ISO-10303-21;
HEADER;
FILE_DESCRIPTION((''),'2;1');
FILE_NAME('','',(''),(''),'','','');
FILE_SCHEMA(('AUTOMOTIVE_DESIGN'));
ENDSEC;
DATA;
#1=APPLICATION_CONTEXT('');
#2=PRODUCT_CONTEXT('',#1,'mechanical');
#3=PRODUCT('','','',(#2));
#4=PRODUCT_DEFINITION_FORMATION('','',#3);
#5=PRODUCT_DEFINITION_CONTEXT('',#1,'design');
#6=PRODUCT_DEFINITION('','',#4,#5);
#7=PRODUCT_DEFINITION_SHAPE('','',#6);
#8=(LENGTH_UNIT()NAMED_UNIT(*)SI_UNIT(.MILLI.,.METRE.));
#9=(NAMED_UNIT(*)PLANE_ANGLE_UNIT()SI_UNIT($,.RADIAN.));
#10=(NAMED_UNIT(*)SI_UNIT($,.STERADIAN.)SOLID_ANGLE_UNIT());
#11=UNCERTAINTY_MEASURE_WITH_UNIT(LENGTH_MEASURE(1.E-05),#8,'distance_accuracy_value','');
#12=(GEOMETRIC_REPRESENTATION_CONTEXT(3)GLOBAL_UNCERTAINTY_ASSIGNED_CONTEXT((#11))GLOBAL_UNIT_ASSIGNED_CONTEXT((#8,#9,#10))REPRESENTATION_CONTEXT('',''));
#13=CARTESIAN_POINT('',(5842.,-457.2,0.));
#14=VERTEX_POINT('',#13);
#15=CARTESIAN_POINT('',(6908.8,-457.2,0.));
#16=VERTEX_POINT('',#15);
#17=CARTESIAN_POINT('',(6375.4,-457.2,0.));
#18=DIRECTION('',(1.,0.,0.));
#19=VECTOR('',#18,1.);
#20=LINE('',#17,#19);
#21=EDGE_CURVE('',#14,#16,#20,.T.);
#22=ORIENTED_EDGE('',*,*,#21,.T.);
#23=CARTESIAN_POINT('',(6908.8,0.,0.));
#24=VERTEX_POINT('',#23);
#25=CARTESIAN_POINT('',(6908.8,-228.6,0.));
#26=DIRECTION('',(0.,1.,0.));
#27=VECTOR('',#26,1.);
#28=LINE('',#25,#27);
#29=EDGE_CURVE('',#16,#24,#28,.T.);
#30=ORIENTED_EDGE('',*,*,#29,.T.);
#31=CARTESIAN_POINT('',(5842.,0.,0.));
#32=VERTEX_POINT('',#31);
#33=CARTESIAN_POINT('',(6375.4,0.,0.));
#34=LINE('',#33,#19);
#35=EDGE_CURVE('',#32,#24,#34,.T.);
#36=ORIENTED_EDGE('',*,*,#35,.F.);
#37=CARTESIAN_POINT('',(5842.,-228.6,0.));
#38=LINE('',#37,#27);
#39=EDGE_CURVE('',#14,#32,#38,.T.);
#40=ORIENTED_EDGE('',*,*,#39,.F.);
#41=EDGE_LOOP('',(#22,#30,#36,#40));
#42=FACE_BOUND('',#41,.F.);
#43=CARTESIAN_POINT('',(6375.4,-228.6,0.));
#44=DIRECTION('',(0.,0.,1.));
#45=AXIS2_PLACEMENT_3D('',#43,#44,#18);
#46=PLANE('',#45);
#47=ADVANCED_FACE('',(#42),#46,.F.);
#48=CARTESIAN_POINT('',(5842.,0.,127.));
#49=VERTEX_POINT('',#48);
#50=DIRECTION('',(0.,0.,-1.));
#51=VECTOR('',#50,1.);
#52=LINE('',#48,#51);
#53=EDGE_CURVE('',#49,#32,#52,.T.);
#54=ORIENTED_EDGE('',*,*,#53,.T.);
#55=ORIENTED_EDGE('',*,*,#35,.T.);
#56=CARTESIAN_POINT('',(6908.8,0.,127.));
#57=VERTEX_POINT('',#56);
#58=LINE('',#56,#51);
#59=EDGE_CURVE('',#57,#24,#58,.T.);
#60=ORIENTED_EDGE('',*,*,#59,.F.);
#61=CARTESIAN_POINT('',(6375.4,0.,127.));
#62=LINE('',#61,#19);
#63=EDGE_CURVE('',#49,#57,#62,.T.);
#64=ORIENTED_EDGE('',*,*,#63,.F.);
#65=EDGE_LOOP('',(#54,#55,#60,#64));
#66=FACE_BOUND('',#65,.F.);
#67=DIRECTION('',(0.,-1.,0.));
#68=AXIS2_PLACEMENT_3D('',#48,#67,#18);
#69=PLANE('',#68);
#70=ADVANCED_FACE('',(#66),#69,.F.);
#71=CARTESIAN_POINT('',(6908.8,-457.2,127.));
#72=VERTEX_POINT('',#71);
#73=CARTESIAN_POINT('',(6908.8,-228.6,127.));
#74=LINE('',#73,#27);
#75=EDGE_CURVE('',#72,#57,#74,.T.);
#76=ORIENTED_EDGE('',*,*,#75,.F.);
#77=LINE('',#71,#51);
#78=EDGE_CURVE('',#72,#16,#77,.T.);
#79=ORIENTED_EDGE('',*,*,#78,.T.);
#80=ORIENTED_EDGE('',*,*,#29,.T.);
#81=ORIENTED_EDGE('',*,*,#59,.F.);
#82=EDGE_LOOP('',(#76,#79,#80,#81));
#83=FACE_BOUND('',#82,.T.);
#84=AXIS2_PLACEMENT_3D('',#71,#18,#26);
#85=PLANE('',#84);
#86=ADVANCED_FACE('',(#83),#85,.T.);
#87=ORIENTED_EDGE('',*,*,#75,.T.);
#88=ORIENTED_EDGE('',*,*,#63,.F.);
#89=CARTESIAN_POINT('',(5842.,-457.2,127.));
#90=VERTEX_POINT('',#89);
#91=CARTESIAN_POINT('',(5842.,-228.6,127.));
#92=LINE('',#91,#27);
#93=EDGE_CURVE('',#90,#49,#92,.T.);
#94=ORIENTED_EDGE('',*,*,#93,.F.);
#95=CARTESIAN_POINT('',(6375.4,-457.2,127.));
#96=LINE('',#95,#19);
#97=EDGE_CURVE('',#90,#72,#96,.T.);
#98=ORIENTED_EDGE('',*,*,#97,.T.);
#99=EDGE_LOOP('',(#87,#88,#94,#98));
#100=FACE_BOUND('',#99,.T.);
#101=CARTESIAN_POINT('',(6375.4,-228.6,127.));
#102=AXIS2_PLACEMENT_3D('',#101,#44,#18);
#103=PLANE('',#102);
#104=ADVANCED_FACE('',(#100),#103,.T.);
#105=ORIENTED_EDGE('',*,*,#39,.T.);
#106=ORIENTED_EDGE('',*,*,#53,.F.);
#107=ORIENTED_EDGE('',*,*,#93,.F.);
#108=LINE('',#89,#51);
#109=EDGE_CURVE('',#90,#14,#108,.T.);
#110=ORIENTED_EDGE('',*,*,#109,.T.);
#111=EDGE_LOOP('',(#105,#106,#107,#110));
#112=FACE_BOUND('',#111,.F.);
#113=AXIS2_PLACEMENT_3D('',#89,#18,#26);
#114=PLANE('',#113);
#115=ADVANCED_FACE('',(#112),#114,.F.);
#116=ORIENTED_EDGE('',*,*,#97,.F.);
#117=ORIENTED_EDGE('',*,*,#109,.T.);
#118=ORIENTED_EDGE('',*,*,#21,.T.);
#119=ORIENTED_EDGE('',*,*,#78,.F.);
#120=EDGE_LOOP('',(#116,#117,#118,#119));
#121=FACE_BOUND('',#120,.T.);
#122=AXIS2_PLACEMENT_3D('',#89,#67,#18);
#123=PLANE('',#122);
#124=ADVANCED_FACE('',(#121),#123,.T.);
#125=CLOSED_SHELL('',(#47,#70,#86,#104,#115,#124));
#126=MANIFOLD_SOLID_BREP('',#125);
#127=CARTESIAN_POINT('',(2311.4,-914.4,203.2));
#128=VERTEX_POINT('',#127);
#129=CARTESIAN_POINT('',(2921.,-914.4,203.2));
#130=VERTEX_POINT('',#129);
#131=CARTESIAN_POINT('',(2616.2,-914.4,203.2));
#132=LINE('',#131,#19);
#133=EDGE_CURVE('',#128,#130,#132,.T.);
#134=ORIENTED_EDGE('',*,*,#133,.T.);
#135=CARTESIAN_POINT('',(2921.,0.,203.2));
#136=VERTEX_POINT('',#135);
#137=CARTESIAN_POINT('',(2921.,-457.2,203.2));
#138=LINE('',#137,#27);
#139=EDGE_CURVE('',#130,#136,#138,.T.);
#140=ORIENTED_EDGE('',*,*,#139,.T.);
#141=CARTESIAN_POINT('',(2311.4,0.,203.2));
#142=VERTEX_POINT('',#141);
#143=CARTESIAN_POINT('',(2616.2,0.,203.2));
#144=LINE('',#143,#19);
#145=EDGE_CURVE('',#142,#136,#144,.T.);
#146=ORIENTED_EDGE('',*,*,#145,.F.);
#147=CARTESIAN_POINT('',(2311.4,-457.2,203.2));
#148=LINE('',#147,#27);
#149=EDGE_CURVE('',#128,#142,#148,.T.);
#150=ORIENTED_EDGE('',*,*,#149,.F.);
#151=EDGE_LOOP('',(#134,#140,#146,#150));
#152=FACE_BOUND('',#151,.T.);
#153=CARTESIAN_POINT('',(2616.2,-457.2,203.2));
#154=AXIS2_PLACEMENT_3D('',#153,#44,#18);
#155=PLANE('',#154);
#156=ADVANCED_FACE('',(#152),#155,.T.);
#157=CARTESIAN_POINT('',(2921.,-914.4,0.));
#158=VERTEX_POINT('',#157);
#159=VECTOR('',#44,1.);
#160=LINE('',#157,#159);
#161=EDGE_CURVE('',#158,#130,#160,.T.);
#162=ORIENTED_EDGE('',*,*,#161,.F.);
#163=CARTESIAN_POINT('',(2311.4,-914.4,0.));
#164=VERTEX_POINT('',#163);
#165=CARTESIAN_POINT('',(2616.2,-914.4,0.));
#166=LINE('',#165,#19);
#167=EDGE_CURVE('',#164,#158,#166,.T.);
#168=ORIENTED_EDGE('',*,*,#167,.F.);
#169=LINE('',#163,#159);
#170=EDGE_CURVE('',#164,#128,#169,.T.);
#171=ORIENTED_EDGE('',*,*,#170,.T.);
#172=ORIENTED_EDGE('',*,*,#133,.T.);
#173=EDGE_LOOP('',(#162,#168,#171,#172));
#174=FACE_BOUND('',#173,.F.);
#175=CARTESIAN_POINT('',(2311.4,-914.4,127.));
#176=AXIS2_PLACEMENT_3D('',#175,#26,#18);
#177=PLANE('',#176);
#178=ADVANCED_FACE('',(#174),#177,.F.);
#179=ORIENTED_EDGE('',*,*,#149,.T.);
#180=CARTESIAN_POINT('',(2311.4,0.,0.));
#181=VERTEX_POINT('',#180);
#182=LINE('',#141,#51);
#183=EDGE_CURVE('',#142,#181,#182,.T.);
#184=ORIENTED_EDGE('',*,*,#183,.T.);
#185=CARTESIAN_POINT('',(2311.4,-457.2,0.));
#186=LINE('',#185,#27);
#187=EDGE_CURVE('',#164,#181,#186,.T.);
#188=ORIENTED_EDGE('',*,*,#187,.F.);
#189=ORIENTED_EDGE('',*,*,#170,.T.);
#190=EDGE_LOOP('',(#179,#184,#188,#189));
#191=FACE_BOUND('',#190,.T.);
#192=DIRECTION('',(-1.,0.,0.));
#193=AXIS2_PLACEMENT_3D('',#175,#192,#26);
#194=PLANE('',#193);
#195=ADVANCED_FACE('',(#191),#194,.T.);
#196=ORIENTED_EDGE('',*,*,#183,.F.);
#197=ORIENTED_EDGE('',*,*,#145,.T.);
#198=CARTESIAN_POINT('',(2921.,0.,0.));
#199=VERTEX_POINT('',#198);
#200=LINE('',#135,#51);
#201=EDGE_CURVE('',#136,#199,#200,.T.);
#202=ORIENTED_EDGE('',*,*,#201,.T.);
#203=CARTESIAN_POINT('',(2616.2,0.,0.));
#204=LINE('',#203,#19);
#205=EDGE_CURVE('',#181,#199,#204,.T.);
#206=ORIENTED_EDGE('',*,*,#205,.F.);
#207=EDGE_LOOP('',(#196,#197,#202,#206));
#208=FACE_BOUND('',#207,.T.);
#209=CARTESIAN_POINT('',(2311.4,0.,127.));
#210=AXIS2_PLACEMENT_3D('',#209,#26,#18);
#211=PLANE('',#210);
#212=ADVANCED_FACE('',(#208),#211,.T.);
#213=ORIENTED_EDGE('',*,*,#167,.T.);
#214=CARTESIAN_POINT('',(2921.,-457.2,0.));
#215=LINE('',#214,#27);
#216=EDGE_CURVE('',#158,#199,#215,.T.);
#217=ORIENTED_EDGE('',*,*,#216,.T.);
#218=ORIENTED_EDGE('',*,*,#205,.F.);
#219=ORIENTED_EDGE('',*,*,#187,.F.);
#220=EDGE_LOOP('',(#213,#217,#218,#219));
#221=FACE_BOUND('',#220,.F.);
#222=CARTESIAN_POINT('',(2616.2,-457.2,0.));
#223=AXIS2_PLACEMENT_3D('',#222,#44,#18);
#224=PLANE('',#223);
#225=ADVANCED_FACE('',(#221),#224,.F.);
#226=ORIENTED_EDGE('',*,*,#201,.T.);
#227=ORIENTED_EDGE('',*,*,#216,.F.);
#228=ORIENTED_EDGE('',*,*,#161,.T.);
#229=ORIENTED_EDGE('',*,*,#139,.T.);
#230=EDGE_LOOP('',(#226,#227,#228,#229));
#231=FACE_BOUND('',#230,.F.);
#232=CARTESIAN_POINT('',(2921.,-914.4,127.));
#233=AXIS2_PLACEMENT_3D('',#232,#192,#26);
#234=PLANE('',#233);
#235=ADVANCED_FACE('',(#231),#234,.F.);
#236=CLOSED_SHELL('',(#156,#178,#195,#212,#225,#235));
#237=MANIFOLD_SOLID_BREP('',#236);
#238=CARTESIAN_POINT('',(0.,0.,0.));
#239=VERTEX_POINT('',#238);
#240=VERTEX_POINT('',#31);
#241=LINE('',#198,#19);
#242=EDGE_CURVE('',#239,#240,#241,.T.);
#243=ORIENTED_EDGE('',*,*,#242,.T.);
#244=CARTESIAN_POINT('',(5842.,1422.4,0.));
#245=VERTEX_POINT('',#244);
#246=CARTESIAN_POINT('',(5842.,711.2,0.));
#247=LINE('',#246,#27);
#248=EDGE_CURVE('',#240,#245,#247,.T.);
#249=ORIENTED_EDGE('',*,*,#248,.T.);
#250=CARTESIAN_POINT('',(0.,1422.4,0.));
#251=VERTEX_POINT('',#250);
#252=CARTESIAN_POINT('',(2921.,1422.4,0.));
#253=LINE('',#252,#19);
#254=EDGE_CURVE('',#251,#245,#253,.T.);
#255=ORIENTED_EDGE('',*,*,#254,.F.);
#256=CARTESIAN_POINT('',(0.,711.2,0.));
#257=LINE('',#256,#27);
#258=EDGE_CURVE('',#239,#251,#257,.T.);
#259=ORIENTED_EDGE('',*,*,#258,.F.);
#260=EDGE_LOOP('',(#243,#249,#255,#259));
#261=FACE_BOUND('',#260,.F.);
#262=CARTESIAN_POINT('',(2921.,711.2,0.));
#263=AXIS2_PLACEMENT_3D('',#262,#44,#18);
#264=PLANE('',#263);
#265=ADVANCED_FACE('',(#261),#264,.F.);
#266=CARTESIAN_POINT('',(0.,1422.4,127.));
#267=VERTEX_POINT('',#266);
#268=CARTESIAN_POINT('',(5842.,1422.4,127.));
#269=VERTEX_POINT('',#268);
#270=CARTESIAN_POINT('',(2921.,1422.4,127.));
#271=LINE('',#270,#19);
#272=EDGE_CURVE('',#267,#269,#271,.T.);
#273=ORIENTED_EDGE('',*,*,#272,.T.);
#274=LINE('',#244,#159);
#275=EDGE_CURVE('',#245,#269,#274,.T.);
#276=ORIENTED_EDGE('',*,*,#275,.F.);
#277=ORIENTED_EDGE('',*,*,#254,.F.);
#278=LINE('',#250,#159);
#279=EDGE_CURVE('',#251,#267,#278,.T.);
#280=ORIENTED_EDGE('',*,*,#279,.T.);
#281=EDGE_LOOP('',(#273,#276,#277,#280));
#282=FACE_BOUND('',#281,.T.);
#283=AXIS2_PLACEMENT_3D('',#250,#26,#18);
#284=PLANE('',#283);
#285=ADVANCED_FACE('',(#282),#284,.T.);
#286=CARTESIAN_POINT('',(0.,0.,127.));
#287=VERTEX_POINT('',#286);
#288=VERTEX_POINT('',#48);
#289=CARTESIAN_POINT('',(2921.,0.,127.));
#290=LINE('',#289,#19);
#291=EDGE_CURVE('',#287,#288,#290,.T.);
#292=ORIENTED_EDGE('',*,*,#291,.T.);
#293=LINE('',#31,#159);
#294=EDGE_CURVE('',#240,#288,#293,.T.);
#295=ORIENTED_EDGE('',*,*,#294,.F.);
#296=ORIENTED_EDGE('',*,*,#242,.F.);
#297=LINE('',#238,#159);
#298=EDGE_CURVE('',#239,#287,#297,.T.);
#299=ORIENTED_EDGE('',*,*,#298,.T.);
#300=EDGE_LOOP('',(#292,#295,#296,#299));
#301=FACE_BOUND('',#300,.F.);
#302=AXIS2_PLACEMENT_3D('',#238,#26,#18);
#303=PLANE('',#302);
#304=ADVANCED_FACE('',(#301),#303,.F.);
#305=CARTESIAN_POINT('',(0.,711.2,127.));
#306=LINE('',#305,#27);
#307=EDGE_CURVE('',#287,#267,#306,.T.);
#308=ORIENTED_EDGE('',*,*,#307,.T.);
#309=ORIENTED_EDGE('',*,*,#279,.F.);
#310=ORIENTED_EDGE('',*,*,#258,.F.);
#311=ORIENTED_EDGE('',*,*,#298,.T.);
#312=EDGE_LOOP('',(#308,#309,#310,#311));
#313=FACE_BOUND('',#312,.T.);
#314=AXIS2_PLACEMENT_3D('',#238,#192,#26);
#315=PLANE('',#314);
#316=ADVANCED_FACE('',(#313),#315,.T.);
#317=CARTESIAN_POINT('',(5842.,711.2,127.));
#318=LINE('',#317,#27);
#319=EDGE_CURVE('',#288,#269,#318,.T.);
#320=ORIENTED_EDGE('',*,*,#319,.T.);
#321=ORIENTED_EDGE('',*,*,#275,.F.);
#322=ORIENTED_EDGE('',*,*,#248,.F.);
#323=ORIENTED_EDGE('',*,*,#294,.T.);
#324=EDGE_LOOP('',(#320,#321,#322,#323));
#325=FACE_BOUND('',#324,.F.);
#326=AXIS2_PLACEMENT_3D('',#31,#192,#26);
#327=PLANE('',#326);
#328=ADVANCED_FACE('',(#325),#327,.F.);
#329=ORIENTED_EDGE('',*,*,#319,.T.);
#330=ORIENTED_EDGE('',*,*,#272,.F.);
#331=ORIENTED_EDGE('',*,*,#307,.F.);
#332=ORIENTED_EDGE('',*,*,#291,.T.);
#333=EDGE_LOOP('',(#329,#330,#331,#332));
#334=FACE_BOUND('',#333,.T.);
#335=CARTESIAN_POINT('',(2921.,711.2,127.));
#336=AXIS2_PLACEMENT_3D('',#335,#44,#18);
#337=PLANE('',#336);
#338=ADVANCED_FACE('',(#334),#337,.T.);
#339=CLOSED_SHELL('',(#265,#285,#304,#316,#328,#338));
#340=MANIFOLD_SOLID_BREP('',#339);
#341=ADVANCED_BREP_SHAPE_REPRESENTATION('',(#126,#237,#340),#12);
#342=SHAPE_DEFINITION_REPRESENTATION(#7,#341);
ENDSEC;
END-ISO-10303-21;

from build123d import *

# Parameters (mm, degrees)
F0_W          = 5842
F0_H          = 1422.4
F1_DEPTH      = 127
F2_W          = 609.6
F2_H          = 914.4
F3_DEPTH      = 127
F3_DEPTH_BACK = 76.2
F4_W          = 1066.8
F4_H          = 457.2
F5_DEPTH      = 127


with BuildPart() as f1:
    # F0 (on Top) → F1 (new body)
    with BuildSketch(Plane.XY):
        with Locations((2921, 711.2)):
            Rectangle(F0_W, F0_H)
    extrude(amount=F1_DEPTH)


with BuildPart() as f3:
    # F2 (on face) → F3 (new body, two sides)
    with BuildSketch(Plane.XY.offset(127)) as f3_sk:
        with Locations((2616.2, -457.2)):
            Rectangle(F2_W, F2_H)
    extrude(amount=-F3_DEPTH)
    extrude(f3_sk.sketch, amount=F3_DEPTH_BACK)


with BuildPart() as f5:
    # F4 (on face) → F5 (new body)
    with BuildSketch(Plane.XY.offset(127)):
        with Locations((6375.4, -228.6)):
            Rectangle(F4_W, F4_H)
    extrude(amount=-F5_DEPTH)


solid = Compound([f1.part, f3.part, f5.part])
